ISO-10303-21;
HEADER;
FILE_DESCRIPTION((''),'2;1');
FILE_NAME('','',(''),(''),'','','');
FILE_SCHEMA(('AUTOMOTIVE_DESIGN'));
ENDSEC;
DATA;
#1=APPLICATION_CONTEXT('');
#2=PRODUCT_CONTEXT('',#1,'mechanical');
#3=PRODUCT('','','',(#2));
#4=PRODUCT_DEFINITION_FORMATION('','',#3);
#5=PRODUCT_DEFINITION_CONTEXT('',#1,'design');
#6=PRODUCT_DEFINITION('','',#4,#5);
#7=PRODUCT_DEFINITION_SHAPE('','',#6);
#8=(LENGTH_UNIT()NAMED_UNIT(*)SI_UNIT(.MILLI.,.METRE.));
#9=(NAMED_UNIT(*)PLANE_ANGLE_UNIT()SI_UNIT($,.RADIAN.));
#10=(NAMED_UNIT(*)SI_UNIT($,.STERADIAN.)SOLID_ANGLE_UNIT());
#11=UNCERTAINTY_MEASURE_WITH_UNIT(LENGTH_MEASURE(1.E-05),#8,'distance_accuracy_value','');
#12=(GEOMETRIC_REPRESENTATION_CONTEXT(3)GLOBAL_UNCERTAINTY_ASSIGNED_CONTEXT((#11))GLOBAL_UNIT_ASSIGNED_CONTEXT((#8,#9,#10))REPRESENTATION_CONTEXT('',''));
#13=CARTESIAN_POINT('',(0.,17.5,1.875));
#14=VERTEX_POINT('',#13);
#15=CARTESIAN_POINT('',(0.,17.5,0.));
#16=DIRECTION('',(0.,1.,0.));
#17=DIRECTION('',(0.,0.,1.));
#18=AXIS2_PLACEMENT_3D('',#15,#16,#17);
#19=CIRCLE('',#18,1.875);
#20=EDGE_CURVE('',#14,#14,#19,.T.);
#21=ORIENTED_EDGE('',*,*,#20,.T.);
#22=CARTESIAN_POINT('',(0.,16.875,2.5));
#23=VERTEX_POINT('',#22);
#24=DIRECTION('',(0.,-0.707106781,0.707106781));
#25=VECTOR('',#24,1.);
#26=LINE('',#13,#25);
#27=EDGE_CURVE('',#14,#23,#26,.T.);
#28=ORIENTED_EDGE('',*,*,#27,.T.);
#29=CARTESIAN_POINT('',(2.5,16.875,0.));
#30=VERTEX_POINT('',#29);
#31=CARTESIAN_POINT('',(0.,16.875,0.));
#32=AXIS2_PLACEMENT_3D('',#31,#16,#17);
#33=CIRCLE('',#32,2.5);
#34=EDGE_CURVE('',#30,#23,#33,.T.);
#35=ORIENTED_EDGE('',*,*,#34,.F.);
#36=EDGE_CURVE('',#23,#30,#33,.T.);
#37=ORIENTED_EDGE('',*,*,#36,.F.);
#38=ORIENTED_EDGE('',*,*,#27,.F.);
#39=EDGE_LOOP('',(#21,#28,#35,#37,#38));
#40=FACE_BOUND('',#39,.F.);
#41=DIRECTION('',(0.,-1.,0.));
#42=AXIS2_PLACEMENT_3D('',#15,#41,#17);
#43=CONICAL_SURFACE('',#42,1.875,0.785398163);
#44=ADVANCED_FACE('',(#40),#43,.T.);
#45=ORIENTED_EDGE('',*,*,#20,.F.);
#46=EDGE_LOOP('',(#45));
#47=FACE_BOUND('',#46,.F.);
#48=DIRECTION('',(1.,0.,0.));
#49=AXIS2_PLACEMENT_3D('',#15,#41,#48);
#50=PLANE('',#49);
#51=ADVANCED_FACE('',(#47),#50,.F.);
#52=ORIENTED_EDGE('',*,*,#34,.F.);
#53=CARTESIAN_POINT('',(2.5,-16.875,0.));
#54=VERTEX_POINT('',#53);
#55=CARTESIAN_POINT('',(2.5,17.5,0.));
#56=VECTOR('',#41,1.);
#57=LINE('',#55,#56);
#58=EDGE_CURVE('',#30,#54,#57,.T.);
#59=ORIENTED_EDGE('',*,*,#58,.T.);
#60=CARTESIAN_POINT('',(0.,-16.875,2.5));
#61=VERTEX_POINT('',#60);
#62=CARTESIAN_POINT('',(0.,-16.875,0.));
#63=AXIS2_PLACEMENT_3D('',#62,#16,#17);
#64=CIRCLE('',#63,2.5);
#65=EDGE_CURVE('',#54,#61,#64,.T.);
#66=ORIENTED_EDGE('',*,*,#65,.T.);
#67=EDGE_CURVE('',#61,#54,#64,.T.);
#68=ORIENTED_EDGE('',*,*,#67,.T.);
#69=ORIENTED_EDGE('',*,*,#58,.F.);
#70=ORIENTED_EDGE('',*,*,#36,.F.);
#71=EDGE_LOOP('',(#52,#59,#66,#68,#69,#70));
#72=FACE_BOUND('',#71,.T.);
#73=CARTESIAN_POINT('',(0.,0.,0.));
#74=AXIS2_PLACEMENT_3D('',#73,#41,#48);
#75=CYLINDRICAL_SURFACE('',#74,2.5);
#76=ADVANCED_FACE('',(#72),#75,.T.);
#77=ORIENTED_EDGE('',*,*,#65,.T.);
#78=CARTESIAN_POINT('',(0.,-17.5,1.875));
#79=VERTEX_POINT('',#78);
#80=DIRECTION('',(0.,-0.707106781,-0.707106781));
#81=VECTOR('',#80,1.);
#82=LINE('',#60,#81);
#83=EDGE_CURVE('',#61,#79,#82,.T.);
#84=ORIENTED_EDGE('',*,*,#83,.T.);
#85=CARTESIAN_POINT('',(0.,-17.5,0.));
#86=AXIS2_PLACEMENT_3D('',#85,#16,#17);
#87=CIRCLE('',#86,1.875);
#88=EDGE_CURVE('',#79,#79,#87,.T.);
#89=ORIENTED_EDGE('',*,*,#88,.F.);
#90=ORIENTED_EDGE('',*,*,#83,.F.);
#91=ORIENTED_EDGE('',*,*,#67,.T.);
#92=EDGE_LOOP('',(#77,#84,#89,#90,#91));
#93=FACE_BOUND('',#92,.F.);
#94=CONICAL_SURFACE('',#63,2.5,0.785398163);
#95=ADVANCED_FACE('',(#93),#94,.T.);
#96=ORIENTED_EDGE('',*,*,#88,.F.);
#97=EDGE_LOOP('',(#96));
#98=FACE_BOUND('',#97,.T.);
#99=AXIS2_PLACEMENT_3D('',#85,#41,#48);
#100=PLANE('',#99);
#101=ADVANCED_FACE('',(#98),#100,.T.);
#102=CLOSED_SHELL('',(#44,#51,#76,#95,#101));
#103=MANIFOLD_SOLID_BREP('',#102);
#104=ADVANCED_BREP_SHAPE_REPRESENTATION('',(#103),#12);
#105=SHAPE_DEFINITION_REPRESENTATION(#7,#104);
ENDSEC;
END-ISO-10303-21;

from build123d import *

# Parameters (mm, degrees)
SKETCH_R  = 2.5
PAD_DEPTH = 17.5


with BuildPart() as part:
    # Sketch → Pad (new body, symmetric)
    with BuildSketch(Plane.XZ):
        Circle(SKETCH_R)
    extrude(amount=PAD_DEPTH, both=True)

    # Sketch001 → Groove (revolve, cut)
    with BuildSketch(Plane.YZ):
        Polygon((-17.5, 4.5), (17.5, 4.5), (17.5, 1.875), (16.875, 2.5), (-16.875, 2.5), (-17.5, 1.875), align=None)
    revolve(axis=Axis((0, 0, 0), (0, 1, 0)), mode=Mode.SUBTRACT)


solid = part.part
